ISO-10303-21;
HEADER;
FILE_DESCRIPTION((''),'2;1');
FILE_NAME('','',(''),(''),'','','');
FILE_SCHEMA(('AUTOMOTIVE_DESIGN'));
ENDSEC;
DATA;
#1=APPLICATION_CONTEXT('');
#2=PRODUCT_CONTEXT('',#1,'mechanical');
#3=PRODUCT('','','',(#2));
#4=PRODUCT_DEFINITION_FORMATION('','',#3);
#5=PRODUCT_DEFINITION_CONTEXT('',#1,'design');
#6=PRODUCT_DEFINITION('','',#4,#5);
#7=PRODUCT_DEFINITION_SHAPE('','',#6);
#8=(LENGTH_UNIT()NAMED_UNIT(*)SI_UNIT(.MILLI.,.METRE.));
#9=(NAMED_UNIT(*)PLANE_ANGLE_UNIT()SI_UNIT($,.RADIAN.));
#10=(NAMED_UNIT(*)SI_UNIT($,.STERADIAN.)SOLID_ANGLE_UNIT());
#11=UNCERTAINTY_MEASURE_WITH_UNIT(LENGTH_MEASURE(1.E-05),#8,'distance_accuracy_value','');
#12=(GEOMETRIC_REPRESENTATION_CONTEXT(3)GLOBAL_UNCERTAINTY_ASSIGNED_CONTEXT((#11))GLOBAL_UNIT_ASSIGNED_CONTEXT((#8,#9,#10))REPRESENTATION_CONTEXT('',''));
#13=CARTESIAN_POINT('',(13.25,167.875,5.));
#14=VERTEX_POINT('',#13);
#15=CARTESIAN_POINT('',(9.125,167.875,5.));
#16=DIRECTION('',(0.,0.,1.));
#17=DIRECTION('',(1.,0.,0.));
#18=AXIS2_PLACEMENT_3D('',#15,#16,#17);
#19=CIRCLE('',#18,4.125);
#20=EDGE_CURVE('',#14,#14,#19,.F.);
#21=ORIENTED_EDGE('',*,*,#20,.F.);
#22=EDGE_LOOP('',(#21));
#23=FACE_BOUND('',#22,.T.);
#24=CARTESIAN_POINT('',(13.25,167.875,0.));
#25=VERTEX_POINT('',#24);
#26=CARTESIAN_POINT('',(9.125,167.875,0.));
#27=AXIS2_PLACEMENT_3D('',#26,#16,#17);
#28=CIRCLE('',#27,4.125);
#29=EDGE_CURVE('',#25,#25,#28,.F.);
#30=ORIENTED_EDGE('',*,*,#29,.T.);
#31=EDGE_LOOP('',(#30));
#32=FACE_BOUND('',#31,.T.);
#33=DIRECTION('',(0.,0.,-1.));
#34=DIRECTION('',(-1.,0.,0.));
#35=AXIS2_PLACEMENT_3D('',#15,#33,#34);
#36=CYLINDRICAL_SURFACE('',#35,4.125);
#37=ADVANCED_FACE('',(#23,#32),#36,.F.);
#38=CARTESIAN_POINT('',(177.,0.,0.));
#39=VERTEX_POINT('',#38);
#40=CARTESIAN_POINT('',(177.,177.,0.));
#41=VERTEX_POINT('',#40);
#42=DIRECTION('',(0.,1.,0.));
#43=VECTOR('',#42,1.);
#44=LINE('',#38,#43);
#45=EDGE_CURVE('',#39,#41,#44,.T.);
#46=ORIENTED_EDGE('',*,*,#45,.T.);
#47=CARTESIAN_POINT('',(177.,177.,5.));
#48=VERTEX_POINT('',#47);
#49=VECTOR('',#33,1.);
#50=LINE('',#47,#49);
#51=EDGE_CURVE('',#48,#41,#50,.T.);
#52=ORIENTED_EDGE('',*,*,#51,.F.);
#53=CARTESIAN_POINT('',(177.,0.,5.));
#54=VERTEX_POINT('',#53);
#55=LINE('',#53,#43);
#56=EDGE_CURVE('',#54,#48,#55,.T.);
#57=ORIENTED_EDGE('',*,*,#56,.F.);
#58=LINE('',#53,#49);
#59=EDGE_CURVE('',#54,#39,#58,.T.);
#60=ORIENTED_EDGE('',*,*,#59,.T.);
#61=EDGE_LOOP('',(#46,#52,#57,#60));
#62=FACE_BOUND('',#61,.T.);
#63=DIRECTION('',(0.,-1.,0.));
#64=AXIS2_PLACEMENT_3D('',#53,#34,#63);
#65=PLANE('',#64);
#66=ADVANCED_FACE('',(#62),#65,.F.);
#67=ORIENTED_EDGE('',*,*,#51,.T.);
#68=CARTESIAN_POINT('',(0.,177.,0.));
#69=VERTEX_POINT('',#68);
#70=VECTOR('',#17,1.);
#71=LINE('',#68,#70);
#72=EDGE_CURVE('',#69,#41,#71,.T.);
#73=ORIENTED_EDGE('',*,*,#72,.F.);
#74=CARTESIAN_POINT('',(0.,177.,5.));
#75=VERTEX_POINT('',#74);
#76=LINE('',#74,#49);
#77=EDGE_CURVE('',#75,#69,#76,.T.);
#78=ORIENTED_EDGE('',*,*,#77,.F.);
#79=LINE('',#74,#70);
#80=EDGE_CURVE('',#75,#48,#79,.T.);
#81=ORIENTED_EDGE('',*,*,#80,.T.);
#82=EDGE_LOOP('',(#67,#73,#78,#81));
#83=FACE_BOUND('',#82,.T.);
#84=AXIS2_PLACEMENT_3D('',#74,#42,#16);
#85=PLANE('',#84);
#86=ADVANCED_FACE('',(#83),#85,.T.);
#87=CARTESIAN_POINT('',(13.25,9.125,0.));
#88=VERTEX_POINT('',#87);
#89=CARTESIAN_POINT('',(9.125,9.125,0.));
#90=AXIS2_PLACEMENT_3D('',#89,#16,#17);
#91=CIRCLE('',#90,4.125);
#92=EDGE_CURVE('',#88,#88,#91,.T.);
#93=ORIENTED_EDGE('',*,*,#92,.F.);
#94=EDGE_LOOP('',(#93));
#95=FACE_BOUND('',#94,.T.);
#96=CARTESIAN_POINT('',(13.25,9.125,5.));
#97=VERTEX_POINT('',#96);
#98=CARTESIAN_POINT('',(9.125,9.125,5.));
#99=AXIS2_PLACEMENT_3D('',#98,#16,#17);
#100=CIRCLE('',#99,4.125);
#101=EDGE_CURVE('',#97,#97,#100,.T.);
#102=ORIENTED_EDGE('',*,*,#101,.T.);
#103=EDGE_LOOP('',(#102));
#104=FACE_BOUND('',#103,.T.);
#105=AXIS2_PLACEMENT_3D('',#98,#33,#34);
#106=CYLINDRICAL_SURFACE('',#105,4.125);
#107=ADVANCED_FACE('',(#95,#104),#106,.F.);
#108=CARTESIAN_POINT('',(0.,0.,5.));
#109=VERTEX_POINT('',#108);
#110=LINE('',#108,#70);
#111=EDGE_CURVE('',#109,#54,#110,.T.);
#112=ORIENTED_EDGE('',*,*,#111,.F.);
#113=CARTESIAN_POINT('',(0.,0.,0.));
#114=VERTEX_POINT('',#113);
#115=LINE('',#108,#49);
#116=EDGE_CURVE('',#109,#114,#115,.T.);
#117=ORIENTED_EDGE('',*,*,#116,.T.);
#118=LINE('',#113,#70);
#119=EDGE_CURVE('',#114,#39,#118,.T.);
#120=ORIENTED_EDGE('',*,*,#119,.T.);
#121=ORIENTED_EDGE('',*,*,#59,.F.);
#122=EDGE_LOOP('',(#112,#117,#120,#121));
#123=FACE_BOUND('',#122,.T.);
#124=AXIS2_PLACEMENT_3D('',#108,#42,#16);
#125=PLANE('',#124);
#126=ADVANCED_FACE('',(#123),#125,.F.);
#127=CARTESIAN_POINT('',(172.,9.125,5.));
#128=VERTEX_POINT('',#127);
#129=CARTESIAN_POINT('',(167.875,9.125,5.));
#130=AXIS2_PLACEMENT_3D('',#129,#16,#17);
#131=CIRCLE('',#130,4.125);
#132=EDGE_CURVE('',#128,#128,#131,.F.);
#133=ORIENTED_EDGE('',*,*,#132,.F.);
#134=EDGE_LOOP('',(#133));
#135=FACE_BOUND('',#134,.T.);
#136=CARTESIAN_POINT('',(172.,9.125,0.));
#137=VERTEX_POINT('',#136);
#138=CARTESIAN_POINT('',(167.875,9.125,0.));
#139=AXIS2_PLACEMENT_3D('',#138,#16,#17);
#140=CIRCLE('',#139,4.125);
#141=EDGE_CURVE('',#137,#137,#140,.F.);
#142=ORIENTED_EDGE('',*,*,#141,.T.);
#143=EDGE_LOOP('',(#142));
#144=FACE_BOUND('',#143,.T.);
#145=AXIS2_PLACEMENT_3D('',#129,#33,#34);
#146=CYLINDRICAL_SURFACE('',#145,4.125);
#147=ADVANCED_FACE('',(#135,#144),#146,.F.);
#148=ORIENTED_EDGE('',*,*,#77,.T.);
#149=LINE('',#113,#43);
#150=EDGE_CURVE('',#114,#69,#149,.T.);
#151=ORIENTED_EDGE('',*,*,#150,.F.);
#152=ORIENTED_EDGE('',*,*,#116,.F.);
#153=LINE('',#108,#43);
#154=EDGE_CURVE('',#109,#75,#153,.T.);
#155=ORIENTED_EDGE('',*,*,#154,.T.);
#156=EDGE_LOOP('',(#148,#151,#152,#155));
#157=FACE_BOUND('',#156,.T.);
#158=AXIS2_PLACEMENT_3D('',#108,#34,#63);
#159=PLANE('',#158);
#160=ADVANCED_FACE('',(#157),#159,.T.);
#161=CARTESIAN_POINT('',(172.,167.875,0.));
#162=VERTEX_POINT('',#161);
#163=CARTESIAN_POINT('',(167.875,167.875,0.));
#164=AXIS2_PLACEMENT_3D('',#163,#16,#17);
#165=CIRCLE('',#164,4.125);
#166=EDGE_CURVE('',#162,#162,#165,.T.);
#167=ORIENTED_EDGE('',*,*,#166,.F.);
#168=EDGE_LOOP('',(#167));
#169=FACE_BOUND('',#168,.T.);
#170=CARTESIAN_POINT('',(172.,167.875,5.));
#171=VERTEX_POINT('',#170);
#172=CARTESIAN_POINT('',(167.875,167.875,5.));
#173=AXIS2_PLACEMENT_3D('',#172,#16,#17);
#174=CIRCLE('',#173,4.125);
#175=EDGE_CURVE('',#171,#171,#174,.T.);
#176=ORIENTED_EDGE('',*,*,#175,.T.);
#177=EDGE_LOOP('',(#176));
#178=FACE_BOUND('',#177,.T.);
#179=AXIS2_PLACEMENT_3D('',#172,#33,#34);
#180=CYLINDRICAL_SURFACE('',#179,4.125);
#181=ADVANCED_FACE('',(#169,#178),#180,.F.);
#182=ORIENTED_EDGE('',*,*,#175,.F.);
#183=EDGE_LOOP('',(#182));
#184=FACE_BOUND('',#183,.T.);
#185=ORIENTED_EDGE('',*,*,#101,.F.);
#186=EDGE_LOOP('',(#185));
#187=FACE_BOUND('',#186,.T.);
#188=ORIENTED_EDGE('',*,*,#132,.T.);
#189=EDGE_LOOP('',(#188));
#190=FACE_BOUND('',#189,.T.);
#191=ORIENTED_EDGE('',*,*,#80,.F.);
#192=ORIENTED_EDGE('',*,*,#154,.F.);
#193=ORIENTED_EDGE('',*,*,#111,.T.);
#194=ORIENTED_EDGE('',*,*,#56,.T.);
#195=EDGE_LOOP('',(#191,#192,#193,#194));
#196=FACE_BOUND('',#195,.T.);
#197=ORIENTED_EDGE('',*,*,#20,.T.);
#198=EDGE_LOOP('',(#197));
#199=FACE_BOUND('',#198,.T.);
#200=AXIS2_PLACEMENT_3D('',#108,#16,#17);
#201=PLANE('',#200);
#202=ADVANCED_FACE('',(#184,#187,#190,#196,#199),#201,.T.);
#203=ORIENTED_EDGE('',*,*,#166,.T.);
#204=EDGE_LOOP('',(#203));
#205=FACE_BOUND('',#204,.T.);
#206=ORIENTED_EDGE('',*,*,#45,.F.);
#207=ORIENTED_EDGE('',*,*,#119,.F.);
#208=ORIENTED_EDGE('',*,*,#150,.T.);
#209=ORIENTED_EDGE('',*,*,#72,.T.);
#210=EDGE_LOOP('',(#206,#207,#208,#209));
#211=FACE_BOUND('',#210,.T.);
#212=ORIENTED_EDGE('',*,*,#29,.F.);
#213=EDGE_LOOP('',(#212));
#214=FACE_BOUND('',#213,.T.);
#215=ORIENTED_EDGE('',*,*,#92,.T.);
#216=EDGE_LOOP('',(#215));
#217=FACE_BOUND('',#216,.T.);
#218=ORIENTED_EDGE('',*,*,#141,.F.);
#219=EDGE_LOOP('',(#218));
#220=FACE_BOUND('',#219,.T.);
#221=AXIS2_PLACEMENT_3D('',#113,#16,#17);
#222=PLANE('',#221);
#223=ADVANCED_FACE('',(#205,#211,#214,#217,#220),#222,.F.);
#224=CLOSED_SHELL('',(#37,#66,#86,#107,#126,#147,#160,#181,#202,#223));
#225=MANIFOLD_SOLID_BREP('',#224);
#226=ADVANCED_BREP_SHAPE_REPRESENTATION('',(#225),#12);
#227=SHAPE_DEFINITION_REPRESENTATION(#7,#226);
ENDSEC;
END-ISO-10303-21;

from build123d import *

# Parameters (mm, degrees)
SKETCH1_W           = 177
SKETCH1_H           = 177
SKETCH1_R           = 2.5
SKETCH1_R_2         = 4.125
BOSS_EXTRUDE1_DEPTH = 5


with BuildPart() as part:
    # Sketch1 → Boss-Extrude1 (new body)
    # profile 1 of 6: a face of its own
    with BuildSketch(Plane.XY):
        with Locations((88.5, 88.5)):
            Rectangle(SKETCH1_W, SKETCH1_H)
        with Locations((88.5, 88.5)):
            Circle(SKETCH1_R, mode=Mode.SUBTRACT)
        Polygon((163.645909278, 1.8), (159.416818556, 9.125), (163.645909278, 16.45), (172.104090722, 16.45), (176.333181444, 9.125), (172.104090722, 1.8), align=None, mode=Mode.SUBTRACT)
        Polygon((13.354090722, 1.8), (17.583181444, 9.125), (13.354090722, 16.45), (4.895909278, 16.45), (0.666818556, 9.125), (4.895909278, 1.8), align=None, mode=Mode.SUBTRACT)
        Polygon((163.645909278, 160.55), (172.104090722, 160.55), (176.333181444, 167.875), (172.104090722, 175.2), (163.645909278, 175.2), (159.416818556, 167.875), align=None, mode=Mode.SUBTRACT)
        Polygon((17.583181444, 167.875), (13.354090722, 160.55), (4.895909278, 160.55), (0.666818556, 167.875), (4.895909278, 175.2), (13.354090722, 175.2), align=None, mode=Mode.SUBTRACT)
    # profile 2 of 6: a face of its own
    with BuildSketch(Plane.XY):
        Polygon((13.354090722, 160.55), (4.895909278, 160.55), (0.666818556, 167.875), (4.895909278, 175.2), (13.354090722, 175.2), (17.583181444, 167.875), align=None)
        with Locations((9.125, 167.875)):
            Circle(SKETCH1_R_2, mode=Mode.SUBTRACT)
    # profile 3 of 6: a face of its own
    with BuildSketch(Plane.XY):
        Polygon((4.895909278, 1.8), (13.354090722, 1.8), (17.583181444, 9.125), (13.354090722, 16.45), (4.895909278, 16.45), (0.666818556, 9.125), align=None)
        with Locations((9.125, 9.125)):
            Circle(SKETCH1_R_2, mode=Mode.SUBTRACT)
    # profile 4 of 6: a face of its own
    with BuildSketch(Plane.XY):
        Polygon((159.416818556, 9.125), (163.645909278, 16.45), (172.104090722, 16.45), (176.333181444, 9.125), (172.104090722, 1.8), (163.645909278, 1.8), align=None)
        with Locations((167.875, 9.125)):
            Circle(SKETCH1_R_2, mode=Mode.SUBTRACT)
    # profile 5 of 6: a face of its own
    with BuildSketch(Plane.XY):
        Polygon((159.416818556, 167.875), (163.645909278, 160.55), (172.104090722, 160.55), (176.333181444, 167.875), (172.104090722, 175.2), (163.645909278, 175.2), align=None)
        with Locations((167.875, 167.875)):
            Circle(SKETCH1_R_2, mode=Mode.SUBTRACT)
    # profile 6 of 6: a face of its own
    with BuildSketch(Plane.XY):
        with Locations((88.5, 88.5)):
            Circle(SKETCH1_R)
    extrude(amount=BOSS_EXTRUDE1_DEPTH)


solid = part.part
